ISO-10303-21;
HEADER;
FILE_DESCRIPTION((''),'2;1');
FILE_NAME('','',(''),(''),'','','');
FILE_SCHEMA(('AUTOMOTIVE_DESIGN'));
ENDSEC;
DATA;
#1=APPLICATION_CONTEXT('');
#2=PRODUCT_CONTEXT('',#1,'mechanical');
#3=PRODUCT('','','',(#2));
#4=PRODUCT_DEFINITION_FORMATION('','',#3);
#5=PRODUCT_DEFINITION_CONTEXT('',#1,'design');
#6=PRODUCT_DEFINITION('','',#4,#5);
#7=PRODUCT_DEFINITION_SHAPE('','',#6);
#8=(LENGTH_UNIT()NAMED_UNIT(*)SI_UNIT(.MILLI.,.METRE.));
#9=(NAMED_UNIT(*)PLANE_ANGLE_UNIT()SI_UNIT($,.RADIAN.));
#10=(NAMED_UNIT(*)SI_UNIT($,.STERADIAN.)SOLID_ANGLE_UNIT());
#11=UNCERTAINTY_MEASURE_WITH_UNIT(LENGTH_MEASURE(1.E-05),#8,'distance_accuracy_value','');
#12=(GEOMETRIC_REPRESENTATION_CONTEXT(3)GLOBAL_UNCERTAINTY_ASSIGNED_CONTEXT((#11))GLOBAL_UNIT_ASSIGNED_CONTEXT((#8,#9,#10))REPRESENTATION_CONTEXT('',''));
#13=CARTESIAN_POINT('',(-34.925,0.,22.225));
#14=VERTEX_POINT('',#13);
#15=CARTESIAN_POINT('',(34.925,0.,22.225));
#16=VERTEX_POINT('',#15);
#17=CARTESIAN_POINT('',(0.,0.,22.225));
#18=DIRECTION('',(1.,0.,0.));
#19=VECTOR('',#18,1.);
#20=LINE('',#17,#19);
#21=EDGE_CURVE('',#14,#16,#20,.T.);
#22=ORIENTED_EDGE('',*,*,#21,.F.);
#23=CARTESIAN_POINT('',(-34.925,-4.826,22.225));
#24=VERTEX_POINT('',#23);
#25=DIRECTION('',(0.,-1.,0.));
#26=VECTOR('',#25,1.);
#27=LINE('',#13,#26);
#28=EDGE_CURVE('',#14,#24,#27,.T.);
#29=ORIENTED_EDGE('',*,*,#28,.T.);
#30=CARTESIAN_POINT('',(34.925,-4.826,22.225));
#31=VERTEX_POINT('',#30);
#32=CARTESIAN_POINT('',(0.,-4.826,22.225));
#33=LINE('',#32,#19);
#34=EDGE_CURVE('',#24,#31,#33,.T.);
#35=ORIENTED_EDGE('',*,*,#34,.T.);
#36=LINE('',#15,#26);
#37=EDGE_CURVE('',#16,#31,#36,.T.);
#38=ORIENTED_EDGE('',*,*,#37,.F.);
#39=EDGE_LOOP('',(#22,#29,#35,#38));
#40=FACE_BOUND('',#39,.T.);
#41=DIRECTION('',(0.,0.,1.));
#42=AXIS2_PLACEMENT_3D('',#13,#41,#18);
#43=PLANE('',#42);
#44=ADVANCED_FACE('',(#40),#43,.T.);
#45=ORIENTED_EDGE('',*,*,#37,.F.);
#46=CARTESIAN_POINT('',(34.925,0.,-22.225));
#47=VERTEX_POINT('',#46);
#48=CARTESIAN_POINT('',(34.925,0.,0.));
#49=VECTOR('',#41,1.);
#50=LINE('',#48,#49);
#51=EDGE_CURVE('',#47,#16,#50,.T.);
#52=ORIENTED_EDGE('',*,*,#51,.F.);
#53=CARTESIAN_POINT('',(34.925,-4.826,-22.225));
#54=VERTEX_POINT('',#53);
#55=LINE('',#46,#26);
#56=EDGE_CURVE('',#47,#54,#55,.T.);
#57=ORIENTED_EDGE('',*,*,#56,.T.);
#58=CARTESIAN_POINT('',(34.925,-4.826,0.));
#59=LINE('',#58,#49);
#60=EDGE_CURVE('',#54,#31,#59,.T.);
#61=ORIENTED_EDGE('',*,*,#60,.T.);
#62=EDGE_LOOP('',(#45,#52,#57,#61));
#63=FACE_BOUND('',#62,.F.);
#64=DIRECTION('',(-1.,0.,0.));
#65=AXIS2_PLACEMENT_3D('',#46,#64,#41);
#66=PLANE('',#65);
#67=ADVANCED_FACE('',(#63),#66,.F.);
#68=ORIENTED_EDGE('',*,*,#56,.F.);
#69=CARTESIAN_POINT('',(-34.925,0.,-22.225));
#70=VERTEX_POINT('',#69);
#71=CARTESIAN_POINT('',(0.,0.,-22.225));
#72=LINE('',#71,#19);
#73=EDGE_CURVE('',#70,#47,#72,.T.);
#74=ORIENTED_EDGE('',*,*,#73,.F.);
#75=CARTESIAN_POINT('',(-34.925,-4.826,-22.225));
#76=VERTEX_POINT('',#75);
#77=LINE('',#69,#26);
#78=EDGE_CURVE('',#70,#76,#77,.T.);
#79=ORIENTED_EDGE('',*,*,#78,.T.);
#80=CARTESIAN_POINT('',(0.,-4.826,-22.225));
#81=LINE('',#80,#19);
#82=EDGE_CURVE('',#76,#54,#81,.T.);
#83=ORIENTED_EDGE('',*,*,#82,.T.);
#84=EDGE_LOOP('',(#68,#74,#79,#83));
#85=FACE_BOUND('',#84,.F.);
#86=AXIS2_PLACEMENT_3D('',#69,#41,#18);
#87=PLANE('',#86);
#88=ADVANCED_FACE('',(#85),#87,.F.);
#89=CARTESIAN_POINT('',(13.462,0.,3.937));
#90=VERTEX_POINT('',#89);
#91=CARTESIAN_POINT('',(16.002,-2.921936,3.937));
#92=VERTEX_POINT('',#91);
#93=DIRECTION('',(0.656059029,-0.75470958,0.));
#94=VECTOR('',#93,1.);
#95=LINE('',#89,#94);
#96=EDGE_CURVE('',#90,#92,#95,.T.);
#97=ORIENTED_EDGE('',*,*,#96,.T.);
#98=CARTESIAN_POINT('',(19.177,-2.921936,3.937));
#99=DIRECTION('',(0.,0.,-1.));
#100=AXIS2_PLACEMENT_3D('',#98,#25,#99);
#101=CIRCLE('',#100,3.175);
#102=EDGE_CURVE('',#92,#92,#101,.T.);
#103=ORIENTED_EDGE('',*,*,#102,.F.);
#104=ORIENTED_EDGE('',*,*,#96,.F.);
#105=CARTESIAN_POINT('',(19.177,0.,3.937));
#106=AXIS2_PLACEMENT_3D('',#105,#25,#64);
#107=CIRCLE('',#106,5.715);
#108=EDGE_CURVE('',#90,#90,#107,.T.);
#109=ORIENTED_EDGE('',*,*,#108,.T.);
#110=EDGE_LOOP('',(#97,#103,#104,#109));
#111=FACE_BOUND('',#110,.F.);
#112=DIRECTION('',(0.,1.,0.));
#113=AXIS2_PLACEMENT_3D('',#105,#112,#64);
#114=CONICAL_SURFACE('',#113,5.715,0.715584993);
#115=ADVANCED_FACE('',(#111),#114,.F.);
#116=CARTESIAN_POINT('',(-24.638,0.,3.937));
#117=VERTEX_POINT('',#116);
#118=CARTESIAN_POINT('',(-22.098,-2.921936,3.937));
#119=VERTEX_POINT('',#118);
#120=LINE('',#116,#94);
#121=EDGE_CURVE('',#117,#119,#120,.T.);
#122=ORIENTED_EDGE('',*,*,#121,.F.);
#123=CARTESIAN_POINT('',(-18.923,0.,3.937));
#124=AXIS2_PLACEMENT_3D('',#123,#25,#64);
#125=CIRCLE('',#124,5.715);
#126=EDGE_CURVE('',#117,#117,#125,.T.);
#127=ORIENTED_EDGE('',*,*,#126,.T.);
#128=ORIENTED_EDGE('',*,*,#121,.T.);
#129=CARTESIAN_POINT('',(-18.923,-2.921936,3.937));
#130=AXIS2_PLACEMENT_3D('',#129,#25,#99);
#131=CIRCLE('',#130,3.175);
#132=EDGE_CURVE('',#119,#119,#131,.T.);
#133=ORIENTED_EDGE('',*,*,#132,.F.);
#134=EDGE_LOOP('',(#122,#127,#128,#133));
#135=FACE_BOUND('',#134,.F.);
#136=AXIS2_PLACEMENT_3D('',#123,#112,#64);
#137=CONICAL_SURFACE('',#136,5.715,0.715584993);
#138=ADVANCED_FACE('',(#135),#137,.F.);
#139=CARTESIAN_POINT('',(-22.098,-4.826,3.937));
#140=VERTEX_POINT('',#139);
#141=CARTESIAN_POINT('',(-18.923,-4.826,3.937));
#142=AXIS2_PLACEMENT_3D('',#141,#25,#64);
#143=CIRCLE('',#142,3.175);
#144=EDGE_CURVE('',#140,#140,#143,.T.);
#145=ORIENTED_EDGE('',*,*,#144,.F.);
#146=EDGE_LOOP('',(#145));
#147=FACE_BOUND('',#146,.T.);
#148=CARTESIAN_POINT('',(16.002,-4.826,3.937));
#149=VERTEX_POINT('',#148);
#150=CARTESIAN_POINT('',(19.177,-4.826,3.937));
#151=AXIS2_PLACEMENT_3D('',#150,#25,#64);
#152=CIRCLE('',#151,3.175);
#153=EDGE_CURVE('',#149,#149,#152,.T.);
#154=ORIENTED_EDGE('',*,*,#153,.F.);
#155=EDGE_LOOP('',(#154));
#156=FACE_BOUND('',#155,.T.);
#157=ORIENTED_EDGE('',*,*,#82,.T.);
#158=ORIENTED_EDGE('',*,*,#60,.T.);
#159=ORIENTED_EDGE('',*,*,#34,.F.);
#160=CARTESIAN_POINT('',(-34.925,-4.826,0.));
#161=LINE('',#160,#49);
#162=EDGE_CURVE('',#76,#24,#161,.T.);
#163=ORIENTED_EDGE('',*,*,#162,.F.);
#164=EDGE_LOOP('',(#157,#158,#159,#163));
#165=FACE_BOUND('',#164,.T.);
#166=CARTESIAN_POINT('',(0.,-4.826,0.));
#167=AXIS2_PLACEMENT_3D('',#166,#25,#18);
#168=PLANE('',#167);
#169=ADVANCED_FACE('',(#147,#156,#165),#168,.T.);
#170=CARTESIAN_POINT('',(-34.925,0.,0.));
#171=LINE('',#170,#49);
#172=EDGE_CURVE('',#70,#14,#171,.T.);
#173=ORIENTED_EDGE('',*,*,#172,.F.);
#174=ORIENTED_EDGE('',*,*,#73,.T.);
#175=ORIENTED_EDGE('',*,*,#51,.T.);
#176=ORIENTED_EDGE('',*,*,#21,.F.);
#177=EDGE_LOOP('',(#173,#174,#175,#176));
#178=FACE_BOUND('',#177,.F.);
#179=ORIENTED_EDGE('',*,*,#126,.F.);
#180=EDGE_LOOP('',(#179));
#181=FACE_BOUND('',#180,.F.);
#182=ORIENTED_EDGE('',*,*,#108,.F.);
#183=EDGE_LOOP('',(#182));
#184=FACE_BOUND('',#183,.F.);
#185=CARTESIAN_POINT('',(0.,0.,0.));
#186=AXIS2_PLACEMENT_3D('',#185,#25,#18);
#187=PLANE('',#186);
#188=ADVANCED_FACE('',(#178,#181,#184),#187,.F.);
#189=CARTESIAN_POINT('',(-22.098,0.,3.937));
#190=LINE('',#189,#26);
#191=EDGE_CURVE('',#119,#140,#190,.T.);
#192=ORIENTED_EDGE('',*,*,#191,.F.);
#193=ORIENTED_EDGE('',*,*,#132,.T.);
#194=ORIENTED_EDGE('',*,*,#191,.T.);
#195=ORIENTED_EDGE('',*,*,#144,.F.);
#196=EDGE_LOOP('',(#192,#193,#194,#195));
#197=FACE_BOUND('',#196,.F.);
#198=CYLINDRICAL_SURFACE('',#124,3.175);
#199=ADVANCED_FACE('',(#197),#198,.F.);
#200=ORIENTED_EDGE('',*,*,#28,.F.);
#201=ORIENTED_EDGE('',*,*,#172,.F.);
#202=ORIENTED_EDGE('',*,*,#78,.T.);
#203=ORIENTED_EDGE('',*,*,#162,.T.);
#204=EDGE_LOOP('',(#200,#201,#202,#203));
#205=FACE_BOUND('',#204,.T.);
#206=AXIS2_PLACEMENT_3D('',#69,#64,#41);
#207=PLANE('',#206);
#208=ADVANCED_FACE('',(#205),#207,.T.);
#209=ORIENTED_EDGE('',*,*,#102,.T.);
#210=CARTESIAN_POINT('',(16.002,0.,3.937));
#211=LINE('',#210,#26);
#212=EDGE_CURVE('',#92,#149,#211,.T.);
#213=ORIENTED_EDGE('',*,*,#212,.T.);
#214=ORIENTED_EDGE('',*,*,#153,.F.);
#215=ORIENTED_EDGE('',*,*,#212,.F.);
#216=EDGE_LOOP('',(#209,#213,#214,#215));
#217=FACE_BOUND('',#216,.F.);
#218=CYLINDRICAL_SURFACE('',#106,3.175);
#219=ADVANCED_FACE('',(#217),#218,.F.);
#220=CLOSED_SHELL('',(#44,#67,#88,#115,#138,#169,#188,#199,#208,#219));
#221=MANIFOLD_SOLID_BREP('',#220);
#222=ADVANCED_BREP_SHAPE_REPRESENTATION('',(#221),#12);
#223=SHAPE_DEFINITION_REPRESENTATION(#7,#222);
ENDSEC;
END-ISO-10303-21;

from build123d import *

# Parameters (mm, degrees)
F0_W           = 69.85
F0_H           = 44.45
F1_DEPTH       = 4.826
F2_D           = 6.35
F2_CSINK_D     = 11.43
F2_CSINK_ANGLE = 82


with BuildPart() as f1:
    # F0 (on Front) → F1 (new body)
    with BuildSketch(Plane.XZ):
        Rectangle(F0_W, F0_H)
    extrude(amount=F1_DEPTH)

    # F2 (through all)
    with Locations(Plane(origin=(0, 0, 0), x_dir=(1, 0, 0), z_dir=(0, 1, 0))):
        with Locations((-18.923, -3.937), (19.177, -3.937)):
            CounterSinkHole(F2_D / 2, F2_CSINK_D / 2, counter_sink_angle=F2_CSINK_ANGLE)


solid = f1.part
